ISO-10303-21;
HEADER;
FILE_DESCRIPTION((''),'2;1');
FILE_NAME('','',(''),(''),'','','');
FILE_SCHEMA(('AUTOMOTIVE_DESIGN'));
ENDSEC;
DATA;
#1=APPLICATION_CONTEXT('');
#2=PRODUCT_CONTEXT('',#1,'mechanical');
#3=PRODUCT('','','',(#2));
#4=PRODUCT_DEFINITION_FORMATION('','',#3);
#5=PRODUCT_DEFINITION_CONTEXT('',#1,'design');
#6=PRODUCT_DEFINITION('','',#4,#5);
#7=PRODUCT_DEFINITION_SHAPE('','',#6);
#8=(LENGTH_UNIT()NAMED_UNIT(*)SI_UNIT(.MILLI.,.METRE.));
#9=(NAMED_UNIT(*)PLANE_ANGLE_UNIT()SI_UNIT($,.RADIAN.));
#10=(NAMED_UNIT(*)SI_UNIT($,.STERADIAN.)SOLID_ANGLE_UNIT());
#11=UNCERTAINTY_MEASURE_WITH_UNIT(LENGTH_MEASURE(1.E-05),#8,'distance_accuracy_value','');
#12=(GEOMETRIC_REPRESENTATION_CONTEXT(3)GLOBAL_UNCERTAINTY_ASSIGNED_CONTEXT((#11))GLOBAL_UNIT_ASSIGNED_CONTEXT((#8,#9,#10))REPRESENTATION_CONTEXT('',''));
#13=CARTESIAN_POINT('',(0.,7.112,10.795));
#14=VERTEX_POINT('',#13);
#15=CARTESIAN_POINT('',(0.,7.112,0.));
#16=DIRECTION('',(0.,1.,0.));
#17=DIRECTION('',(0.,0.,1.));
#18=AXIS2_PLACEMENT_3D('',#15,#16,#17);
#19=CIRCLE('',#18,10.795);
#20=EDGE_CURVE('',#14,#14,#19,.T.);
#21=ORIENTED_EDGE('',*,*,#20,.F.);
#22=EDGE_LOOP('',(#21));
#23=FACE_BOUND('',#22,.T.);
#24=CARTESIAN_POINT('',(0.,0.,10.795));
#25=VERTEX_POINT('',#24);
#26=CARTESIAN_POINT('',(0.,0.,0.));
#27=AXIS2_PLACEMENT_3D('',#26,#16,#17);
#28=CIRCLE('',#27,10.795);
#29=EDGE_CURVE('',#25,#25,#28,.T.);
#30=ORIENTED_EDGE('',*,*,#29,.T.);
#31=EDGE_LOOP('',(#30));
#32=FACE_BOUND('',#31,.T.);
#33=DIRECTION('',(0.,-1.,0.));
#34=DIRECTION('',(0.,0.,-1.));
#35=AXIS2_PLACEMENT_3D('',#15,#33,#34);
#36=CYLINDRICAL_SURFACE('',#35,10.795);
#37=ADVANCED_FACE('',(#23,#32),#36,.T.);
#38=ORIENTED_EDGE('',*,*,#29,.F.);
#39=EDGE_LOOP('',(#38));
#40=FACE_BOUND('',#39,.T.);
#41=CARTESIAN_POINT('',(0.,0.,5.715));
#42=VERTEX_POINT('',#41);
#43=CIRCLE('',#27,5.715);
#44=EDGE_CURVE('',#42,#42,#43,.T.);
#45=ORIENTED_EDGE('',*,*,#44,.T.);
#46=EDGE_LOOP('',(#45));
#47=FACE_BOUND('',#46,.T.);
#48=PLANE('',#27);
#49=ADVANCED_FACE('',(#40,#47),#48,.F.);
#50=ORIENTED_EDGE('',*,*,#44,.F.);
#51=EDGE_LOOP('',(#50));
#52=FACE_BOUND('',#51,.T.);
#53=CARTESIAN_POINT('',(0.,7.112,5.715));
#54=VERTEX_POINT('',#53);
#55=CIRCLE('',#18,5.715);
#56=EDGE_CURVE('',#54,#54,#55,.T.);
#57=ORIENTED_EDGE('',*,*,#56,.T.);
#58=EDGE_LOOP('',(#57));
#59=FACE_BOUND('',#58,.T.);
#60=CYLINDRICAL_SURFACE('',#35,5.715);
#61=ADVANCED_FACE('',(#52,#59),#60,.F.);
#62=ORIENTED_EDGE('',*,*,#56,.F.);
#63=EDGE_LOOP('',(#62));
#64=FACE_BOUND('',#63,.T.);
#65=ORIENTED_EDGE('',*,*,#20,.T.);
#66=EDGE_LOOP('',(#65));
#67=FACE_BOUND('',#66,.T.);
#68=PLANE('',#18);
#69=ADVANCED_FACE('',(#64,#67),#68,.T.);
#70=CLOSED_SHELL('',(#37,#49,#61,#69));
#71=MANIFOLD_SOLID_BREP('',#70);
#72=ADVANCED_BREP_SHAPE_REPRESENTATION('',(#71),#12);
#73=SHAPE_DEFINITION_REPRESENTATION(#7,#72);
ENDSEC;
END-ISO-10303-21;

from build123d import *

# Parameters (mm, degrees)
SKETCH1_R           = 10.795
SKETCH1_R_2         = 5.715
BOSS_EXTRUDE1_DEPTH = 7.112


with BuildPart() as part:
    # Sketch1 → Boss-Extrude1 (new body)
    with BuildSketch(Plane(origin=(0, 0, 0), x_dir=(1, 0, 0), z_dir=(0, 1, 0))):
        Circle(SKETCH1_R)
        Circle(SKETCH1_R_2, mode=Mode.SUBTRACT)
    extrude(amount=BOSS_EXTRUDE1_DEPTH)


solid = part.part
